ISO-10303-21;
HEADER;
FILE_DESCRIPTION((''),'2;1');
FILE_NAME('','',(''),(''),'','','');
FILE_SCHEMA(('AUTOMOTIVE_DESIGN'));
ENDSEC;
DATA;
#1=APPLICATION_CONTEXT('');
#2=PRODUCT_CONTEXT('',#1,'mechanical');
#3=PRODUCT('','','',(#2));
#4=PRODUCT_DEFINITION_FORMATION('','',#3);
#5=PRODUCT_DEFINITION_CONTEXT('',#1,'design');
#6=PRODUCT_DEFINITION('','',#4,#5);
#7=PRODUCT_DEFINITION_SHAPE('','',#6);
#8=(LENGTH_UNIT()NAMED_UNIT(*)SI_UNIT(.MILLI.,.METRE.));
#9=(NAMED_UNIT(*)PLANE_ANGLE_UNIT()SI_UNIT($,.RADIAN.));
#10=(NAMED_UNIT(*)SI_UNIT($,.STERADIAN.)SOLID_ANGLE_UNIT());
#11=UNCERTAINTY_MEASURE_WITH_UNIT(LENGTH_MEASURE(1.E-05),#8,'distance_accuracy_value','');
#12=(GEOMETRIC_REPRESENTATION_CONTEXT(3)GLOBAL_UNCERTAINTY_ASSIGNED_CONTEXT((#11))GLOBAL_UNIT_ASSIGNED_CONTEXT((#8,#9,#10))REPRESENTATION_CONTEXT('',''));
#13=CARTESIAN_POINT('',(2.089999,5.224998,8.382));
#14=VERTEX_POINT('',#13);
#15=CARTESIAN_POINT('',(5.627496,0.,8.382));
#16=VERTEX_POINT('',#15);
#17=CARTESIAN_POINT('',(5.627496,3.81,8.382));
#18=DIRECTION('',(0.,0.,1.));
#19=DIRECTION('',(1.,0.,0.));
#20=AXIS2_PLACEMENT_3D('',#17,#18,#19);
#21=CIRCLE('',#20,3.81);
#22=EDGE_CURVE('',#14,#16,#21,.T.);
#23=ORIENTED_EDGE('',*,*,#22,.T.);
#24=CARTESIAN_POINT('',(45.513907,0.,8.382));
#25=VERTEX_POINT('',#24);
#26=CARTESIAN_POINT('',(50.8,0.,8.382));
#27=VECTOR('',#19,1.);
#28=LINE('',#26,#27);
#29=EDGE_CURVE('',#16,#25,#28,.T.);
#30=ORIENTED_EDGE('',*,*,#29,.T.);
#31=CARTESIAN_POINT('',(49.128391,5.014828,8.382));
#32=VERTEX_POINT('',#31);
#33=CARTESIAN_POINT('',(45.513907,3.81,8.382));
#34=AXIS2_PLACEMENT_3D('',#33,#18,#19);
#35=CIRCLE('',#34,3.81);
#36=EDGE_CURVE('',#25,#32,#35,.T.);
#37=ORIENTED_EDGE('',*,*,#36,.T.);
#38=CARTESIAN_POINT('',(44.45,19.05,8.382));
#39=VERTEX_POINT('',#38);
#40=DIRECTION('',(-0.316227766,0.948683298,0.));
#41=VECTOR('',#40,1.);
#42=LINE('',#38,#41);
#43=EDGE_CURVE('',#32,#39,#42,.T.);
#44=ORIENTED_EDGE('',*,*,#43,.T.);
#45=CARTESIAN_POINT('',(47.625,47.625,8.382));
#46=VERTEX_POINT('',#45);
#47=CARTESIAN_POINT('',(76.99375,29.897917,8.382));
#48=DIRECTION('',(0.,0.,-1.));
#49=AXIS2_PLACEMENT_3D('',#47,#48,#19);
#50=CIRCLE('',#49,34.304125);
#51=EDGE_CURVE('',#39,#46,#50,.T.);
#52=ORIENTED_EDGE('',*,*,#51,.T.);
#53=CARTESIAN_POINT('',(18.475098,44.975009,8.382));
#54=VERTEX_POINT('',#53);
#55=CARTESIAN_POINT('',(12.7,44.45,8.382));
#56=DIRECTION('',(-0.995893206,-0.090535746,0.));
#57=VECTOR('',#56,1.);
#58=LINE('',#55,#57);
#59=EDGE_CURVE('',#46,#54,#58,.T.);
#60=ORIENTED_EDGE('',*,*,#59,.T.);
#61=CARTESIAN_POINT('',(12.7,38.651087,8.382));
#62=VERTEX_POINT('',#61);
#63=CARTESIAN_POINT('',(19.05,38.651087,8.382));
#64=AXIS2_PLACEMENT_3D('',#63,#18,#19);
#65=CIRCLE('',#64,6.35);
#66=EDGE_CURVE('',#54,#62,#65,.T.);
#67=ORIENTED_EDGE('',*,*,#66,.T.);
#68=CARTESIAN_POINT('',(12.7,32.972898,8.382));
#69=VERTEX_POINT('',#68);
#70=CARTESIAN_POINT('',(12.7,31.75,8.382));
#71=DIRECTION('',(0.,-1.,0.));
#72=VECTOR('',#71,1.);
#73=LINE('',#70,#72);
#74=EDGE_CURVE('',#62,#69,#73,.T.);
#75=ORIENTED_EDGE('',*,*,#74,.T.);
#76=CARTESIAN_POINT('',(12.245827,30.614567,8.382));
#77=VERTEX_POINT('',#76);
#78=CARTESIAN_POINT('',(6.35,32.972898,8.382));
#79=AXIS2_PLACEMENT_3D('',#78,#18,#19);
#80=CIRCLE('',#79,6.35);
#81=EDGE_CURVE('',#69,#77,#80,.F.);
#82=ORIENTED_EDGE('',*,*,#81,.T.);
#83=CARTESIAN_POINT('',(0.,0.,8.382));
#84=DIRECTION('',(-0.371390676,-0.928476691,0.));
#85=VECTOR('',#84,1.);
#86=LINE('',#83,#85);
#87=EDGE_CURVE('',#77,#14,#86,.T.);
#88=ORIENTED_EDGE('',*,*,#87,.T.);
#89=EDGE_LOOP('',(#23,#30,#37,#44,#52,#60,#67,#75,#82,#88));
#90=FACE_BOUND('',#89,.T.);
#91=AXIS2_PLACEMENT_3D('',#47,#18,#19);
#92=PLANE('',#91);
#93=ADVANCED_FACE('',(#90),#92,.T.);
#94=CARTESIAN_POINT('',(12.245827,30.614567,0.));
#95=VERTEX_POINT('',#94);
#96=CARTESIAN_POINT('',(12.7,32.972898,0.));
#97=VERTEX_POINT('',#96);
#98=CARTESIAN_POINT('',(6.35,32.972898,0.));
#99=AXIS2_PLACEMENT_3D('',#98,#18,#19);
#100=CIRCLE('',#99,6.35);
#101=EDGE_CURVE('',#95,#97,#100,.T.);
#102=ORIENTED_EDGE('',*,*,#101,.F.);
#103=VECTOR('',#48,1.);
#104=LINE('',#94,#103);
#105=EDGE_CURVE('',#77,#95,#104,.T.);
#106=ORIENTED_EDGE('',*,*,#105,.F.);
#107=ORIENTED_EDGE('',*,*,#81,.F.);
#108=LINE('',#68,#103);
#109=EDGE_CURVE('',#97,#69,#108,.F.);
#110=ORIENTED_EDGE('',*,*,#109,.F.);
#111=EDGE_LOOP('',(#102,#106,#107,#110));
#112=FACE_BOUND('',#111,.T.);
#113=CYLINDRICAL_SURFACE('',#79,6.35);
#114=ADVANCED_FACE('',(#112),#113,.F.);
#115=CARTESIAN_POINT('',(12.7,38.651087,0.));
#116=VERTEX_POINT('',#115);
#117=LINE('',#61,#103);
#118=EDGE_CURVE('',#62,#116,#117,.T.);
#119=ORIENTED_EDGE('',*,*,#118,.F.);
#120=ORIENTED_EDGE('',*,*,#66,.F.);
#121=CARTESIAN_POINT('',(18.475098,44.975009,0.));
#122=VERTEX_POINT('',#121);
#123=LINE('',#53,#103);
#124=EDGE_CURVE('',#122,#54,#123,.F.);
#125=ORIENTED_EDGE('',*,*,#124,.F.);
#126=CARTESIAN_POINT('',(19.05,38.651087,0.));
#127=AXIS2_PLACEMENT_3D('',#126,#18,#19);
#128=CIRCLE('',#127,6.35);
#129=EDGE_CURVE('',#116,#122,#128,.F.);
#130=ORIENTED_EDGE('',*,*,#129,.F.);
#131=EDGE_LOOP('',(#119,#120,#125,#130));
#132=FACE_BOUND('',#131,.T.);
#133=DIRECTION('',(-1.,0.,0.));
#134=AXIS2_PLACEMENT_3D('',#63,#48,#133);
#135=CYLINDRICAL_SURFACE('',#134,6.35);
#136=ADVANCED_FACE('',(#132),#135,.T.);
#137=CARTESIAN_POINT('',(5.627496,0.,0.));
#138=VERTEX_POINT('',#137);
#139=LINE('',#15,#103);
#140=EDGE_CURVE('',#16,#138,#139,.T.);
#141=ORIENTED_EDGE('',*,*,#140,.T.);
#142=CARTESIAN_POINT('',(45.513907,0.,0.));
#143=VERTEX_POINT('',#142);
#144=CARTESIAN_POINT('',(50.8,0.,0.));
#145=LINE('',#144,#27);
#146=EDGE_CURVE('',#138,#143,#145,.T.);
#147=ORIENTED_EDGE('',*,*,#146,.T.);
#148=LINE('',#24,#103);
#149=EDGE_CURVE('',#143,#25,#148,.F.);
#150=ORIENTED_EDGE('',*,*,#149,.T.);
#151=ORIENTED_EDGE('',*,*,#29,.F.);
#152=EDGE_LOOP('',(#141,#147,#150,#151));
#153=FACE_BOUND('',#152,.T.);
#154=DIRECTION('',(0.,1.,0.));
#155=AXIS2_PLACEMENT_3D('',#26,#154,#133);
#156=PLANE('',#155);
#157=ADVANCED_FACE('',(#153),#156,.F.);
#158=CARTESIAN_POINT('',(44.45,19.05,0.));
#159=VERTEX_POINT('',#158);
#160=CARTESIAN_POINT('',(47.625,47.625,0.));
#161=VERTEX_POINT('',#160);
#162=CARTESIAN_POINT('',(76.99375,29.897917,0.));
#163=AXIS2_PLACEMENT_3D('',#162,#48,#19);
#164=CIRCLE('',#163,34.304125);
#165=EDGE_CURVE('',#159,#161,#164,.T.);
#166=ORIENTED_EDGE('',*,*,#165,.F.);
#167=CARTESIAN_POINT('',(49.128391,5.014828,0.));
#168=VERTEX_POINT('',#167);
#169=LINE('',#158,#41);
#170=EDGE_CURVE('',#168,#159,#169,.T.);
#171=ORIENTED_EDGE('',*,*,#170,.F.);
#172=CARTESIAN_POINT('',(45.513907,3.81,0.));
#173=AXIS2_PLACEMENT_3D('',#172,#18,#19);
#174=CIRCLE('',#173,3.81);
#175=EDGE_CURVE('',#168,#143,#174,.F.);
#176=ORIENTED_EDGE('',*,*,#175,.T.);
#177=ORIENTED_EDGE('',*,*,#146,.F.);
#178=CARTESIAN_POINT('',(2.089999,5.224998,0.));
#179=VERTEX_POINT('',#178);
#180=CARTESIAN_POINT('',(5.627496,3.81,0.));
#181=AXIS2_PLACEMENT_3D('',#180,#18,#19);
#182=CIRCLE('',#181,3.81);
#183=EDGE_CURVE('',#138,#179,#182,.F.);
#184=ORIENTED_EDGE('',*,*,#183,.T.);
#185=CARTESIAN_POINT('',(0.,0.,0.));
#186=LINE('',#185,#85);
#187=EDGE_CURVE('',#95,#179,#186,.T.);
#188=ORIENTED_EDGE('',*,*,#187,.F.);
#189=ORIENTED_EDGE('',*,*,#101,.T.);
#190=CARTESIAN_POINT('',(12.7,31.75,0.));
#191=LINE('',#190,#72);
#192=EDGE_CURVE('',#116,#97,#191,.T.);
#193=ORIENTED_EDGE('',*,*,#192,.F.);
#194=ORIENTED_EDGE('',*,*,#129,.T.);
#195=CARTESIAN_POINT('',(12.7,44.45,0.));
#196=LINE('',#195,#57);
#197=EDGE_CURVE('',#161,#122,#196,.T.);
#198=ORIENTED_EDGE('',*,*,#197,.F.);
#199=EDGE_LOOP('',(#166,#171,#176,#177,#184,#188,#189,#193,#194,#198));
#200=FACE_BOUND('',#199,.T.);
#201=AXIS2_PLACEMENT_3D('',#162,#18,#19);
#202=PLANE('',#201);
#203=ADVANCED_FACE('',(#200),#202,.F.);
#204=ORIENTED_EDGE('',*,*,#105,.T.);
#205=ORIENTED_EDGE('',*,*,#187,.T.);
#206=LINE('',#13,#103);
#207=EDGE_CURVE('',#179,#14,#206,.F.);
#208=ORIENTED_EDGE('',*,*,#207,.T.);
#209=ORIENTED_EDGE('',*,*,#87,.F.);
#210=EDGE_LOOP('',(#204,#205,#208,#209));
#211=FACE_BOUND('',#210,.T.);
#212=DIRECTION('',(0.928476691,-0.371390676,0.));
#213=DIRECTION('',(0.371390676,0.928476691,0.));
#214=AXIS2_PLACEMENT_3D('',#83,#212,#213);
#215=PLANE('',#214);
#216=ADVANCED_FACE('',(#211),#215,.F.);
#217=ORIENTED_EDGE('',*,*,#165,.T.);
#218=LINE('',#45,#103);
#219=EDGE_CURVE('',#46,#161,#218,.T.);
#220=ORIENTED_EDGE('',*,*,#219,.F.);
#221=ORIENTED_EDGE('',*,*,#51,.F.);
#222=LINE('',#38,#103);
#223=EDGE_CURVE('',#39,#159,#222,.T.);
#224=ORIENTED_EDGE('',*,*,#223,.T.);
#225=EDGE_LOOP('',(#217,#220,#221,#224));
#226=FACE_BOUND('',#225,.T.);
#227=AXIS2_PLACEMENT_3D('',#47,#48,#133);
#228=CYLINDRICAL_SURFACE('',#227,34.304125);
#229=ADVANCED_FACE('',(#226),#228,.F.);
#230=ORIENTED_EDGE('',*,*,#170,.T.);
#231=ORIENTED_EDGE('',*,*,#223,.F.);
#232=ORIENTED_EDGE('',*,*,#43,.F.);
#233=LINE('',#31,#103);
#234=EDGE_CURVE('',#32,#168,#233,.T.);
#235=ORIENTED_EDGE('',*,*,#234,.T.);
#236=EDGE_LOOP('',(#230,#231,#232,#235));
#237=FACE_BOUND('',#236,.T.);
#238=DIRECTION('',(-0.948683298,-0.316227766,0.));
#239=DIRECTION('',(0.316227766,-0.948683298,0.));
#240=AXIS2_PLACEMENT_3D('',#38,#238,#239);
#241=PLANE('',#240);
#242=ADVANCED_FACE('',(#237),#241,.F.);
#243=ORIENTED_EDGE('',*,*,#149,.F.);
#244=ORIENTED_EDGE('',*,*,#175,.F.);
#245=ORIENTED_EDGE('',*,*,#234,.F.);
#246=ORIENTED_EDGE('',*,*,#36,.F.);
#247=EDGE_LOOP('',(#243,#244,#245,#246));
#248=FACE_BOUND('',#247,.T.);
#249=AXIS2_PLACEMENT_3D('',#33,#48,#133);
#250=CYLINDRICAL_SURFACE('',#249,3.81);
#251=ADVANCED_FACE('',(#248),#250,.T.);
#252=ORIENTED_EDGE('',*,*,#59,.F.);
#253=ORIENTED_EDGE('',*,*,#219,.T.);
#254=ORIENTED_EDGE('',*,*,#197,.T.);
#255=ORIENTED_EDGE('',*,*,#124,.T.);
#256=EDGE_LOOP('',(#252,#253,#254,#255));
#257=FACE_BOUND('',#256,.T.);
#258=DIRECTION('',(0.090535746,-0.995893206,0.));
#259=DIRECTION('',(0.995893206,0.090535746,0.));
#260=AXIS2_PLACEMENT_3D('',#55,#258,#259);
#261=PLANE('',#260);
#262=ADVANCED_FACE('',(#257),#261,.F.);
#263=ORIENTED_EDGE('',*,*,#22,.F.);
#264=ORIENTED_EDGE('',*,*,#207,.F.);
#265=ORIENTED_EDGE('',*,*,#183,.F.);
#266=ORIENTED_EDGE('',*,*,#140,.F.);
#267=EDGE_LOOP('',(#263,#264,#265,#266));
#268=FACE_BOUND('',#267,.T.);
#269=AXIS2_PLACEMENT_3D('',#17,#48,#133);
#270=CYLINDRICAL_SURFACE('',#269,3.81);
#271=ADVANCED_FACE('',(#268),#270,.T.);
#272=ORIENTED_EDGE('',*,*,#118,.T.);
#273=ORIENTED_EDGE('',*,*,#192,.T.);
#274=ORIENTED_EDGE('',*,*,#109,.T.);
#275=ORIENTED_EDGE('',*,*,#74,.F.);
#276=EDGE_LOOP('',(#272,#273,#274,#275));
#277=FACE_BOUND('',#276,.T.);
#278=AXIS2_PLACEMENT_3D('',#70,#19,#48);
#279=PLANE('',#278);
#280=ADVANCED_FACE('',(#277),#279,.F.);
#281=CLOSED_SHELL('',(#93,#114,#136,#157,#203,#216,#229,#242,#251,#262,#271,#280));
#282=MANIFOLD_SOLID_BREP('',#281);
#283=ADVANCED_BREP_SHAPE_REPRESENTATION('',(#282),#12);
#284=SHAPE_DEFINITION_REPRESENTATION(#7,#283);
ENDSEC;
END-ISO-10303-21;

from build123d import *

# Parameters (mm, degrees)
EXTRUDE1_DEPTH = 8.382
FILLET1_R      = 6.35
FILLET2_R      = 3.81


with BuildPart() as part:
    # Sketch1 → Extrude1 (new body)
    with BuildSketch(Plane.XY):
        with BuildLine():
            Line((0, 0), (12.7, 31.75))
            Line((12.7, 31.75), (12.7, 44.45))
            Line((12.7, 44.45), (47.625, 47.625))
            ThreePointArc((47.625, 47.625), (42.899438593, 33.68617349), (44.45, 19.05))
            Line((44.45, 19.05), (50.8, 0))
            Line((50.8, 0), (0, 0))
        make_face()
    extrude(amount=EXTRUDE1_DEPTH)

    # Fillet1
    fillet1_edges = [part.edges().sort_by_distance(p)[0] for p in [
        (12.7, 31.75, 4.191),
        (12.7, 44.45, 4.191),
    ]]
    fillet(fillet1_edges, radius=FILLET1_R)

    # Fillet2
    fillet2_edges = [part.edges().sort_by_distance(p)[0] for p in [
        (0, 0, 4.191),
        (50.8, 0, 4.191),
    ]]
    fillet(fillet2_edges, radius=FILLET2_R)


solid = part.part
